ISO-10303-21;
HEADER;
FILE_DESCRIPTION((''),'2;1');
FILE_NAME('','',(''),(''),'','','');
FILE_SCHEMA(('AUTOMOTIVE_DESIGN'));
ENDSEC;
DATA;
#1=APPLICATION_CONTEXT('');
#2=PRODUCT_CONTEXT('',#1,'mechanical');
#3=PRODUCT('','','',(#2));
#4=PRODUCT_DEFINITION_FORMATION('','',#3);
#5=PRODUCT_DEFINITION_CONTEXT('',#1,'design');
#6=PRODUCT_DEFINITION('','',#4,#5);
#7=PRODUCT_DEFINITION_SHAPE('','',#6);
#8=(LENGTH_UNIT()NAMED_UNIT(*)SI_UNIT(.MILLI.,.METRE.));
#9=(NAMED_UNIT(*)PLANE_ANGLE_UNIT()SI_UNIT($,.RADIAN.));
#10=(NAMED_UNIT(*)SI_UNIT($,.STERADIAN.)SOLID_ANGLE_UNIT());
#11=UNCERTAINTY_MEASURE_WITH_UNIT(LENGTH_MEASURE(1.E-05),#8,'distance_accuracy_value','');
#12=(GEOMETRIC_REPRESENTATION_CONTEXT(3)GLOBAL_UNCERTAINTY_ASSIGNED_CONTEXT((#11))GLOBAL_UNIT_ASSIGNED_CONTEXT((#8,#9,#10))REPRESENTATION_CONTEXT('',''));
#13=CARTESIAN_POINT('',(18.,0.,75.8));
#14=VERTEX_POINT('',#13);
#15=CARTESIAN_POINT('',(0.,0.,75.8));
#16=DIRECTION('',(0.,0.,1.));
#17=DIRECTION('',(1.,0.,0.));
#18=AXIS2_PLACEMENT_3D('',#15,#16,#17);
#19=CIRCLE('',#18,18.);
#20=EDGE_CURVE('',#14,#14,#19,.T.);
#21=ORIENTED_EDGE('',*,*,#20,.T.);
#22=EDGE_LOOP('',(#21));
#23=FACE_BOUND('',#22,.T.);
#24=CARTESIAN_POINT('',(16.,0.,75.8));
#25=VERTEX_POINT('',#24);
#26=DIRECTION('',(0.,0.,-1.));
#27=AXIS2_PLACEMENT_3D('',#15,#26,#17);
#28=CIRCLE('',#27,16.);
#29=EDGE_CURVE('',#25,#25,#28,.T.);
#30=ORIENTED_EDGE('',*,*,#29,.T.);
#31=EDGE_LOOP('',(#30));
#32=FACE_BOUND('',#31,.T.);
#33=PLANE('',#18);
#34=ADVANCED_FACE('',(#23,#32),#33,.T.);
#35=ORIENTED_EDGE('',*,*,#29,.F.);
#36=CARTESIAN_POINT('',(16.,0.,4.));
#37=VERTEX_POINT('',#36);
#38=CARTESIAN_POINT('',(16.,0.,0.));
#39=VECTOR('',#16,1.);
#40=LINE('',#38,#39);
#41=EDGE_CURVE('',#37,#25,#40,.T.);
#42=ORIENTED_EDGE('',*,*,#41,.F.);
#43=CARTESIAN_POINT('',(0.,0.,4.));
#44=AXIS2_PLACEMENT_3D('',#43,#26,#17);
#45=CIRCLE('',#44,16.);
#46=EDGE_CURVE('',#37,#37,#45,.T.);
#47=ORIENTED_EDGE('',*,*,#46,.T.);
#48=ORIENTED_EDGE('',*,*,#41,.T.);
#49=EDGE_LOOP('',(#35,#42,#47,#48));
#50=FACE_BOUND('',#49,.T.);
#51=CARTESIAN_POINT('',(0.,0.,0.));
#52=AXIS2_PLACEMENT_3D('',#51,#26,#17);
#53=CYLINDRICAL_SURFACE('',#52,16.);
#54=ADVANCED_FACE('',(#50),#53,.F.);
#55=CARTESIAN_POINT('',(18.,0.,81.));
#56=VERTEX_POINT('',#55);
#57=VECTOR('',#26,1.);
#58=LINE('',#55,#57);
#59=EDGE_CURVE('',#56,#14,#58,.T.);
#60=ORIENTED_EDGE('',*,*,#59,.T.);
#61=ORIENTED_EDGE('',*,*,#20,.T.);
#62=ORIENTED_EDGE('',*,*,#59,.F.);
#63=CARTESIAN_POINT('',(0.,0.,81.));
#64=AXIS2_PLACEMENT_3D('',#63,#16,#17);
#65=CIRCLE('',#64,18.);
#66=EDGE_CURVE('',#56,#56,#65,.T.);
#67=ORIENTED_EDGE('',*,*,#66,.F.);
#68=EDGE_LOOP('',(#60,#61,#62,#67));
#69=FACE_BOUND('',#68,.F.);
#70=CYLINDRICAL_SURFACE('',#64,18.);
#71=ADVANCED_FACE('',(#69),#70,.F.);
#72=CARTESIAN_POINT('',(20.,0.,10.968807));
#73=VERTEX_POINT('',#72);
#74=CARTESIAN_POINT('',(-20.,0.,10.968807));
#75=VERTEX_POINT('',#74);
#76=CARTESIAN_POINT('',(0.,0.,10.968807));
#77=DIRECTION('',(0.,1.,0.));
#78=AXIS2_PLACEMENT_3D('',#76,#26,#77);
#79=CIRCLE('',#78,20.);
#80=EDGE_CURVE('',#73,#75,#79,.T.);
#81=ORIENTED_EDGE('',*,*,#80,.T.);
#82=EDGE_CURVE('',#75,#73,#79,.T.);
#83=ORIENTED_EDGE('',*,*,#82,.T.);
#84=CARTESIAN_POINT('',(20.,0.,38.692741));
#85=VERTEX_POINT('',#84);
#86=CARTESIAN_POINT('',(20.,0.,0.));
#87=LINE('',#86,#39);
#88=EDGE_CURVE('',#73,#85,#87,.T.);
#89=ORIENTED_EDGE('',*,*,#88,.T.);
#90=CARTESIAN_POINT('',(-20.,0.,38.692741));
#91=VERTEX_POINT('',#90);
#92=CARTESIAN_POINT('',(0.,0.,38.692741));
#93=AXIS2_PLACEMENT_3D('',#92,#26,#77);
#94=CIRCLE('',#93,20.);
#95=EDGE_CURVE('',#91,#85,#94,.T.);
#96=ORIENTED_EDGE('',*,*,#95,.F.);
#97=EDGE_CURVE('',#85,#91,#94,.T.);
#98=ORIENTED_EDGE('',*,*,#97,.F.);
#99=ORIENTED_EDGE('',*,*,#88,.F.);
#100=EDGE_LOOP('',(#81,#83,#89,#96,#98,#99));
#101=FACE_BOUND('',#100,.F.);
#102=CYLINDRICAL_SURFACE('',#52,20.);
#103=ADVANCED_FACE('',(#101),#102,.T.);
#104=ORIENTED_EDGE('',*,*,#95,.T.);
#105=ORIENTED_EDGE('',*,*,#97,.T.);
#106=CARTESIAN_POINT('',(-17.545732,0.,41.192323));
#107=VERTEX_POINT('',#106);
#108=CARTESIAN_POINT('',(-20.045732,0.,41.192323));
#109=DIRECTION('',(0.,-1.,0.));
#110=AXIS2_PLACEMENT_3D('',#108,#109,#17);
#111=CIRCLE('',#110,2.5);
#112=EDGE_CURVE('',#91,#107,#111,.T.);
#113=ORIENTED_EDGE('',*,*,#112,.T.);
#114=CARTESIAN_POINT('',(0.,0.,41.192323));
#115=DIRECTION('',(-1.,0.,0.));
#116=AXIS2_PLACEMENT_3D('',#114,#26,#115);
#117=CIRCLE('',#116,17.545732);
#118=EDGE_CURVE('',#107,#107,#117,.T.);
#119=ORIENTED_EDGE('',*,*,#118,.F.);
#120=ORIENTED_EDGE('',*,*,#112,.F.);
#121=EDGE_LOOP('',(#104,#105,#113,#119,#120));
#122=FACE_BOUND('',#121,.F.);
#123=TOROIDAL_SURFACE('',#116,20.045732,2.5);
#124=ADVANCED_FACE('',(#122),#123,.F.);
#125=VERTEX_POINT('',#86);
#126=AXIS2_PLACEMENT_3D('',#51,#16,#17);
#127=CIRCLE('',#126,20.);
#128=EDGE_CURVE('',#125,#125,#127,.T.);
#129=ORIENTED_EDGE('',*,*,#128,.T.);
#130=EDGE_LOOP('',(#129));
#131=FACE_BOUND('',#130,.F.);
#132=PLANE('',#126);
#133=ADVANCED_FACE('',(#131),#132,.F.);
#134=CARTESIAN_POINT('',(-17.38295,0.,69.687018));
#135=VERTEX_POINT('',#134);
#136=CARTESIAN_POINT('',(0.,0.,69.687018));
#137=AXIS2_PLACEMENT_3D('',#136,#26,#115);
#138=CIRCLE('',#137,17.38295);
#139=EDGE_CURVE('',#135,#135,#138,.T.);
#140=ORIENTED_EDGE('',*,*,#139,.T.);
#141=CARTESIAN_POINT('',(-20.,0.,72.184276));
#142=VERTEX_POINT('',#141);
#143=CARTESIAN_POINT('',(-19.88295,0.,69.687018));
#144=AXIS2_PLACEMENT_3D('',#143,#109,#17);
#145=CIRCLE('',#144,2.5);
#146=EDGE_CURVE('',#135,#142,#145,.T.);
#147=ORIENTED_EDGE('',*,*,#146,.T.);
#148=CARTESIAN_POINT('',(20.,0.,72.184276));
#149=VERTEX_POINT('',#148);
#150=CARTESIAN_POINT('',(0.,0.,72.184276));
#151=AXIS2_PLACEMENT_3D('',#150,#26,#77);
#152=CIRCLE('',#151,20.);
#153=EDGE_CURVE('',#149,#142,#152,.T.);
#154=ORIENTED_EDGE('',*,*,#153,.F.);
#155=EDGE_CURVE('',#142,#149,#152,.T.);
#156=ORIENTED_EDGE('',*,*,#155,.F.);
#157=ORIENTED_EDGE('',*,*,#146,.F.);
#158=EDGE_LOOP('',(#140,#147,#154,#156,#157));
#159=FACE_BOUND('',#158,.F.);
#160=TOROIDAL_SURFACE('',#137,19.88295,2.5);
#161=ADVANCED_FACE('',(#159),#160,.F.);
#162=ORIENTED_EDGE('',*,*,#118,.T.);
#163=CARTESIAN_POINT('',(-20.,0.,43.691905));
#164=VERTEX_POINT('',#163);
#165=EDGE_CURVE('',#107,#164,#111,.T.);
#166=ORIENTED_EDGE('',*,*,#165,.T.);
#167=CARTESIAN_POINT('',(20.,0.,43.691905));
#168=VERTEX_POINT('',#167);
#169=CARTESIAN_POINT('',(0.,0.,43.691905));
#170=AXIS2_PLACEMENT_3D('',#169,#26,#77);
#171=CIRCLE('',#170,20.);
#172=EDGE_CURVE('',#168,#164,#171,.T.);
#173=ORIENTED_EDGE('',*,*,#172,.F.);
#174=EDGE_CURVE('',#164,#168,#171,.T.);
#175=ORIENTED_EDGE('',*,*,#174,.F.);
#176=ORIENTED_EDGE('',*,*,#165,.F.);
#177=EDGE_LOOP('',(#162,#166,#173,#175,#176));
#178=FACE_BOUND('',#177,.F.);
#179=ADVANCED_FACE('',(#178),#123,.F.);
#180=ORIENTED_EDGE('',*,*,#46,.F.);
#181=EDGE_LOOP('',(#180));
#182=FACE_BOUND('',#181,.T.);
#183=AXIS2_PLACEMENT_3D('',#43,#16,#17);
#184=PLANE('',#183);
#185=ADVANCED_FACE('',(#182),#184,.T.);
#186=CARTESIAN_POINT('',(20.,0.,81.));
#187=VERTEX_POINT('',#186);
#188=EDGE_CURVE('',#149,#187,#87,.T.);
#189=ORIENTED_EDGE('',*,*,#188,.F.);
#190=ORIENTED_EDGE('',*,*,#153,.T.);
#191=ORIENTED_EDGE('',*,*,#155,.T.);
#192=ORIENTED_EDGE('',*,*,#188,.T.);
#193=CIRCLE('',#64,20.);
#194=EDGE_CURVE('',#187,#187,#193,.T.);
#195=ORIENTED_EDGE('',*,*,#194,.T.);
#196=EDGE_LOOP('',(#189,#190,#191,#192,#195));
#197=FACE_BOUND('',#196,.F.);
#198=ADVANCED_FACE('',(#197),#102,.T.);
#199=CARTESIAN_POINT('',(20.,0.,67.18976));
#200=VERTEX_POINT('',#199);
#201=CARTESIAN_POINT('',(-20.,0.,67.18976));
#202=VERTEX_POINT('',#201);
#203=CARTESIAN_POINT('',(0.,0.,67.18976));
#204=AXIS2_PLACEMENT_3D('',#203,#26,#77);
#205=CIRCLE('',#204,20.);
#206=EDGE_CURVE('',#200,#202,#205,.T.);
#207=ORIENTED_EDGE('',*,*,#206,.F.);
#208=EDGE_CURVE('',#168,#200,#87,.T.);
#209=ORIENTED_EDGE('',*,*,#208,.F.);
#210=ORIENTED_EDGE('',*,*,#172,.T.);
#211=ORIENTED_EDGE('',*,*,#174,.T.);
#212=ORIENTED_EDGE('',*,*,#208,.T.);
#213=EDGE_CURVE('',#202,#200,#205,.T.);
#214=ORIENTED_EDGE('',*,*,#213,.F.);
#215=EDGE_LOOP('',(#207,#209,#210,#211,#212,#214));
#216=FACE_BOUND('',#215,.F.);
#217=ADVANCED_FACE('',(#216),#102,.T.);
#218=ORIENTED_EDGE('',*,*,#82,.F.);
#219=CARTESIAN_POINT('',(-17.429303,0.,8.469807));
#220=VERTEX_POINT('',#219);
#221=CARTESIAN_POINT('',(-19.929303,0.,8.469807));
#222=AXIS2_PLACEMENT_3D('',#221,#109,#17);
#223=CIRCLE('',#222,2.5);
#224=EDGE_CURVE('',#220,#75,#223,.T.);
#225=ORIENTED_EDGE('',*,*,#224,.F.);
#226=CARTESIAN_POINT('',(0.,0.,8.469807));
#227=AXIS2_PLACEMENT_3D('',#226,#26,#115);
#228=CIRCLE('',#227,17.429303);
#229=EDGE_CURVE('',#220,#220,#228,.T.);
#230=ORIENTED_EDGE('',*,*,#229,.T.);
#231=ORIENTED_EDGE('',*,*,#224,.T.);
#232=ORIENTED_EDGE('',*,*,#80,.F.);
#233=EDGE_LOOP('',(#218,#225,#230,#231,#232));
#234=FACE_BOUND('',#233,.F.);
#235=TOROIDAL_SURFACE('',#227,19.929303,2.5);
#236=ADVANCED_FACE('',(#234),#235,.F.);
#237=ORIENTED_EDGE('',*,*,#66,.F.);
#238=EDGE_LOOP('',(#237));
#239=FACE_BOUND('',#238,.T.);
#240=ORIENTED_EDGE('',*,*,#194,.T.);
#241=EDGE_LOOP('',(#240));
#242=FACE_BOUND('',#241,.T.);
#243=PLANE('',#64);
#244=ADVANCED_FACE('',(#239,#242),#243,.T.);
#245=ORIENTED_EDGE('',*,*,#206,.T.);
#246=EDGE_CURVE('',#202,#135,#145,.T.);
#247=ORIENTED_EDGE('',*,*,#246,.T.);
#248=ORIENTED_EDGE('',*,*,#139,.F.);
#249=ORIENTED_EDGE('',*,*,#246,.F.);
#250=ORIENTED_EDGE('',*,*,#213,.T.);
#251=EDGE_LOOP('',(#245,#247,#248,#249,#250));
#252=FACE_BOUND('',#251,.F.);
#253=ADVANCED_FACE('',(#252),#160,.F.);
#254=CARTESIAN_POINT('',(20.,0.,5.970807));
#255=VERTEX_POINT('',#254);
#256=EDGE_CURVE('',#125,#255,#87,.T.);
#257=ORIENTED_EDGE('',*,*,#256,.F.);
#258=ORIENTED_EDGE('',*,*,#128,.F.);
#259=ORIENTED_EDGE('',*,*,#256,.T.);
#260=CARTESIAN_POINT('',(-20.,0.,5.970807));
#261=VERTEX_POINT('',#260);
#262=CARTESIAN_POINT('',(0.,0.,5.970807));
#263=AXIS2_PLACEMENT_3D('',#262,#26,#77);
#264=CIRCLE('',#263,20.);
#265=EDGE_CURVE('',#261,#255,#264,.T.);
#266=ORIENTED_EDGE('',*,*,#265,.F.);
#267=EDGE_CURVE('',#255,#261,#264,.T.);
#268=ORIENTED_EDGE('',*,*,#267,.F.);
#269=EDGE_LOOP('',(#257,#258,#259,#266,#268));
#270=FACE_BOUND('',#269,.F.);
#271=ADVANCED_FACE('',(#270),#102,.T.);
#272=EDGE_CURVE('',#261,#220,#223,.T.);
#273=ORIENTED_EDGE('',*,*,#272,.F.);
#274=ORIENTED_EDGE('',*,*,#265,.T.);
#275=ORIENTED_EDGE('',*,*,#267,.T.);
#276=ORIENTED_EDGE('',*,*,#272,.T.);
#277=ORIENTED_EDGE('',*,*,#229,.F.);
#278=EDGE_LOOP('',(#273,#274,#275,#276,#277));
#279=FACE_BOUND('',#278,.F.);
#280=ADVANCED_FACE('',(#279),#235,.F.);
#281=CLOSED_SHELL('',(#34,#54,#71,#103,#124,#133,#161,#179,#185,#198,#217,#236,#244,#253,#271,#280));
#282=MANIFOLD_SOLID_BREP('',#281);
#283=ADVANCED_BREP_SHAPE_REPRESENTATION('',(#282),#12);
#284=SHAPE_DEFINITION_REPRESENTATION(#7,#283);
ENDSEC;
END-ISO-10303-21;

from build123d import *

# Parameters (mm, degrees)
F0_R     = 20
F1_DEPTH = 81
F2_T     = -4
F3_R     = 18
F4_DEPTH = 5.2
F5_R     = 2.5


with BuildPart() as f1:
    # F0 (on Top) → F1 (new body)
    with BuildSketch(Plane.XY):
        Circle(F0_R)
    extrude(amount=F1_DEPTH)

    # F2
    f2_openings = [f1.faces().sort_by_distance(p)[0] for p in [
        (0, 0, 81),
    ]]
    offset(amount=F2_T, openings=f2_openings)

    # F3 (on face) → F4 (cut)
    with BuildSketch(Plane.XY.offset(81)):
        Circle(F3_R)
    extrude(amount=-F4_DEPTH, mode=Mode.SUBTRACT)

    # F5 (on Front) → F7 (revolve, cut)
    with BuildSketch(Plane.XZ):
        with Locations((-19.88295, 69.687018)):
            Circle(F5_R)
        with Locations((-19.929303, 8.469807)):
            Circle(F5_R)
        with Locations((-20.045732, 41.192323)):
            Circle(F5_R)
    revolve(axis=Axis((0, 0, 37.363928), (0, 0, -1)), mode=Mode.SUBTRACT)


solid = f1.part
